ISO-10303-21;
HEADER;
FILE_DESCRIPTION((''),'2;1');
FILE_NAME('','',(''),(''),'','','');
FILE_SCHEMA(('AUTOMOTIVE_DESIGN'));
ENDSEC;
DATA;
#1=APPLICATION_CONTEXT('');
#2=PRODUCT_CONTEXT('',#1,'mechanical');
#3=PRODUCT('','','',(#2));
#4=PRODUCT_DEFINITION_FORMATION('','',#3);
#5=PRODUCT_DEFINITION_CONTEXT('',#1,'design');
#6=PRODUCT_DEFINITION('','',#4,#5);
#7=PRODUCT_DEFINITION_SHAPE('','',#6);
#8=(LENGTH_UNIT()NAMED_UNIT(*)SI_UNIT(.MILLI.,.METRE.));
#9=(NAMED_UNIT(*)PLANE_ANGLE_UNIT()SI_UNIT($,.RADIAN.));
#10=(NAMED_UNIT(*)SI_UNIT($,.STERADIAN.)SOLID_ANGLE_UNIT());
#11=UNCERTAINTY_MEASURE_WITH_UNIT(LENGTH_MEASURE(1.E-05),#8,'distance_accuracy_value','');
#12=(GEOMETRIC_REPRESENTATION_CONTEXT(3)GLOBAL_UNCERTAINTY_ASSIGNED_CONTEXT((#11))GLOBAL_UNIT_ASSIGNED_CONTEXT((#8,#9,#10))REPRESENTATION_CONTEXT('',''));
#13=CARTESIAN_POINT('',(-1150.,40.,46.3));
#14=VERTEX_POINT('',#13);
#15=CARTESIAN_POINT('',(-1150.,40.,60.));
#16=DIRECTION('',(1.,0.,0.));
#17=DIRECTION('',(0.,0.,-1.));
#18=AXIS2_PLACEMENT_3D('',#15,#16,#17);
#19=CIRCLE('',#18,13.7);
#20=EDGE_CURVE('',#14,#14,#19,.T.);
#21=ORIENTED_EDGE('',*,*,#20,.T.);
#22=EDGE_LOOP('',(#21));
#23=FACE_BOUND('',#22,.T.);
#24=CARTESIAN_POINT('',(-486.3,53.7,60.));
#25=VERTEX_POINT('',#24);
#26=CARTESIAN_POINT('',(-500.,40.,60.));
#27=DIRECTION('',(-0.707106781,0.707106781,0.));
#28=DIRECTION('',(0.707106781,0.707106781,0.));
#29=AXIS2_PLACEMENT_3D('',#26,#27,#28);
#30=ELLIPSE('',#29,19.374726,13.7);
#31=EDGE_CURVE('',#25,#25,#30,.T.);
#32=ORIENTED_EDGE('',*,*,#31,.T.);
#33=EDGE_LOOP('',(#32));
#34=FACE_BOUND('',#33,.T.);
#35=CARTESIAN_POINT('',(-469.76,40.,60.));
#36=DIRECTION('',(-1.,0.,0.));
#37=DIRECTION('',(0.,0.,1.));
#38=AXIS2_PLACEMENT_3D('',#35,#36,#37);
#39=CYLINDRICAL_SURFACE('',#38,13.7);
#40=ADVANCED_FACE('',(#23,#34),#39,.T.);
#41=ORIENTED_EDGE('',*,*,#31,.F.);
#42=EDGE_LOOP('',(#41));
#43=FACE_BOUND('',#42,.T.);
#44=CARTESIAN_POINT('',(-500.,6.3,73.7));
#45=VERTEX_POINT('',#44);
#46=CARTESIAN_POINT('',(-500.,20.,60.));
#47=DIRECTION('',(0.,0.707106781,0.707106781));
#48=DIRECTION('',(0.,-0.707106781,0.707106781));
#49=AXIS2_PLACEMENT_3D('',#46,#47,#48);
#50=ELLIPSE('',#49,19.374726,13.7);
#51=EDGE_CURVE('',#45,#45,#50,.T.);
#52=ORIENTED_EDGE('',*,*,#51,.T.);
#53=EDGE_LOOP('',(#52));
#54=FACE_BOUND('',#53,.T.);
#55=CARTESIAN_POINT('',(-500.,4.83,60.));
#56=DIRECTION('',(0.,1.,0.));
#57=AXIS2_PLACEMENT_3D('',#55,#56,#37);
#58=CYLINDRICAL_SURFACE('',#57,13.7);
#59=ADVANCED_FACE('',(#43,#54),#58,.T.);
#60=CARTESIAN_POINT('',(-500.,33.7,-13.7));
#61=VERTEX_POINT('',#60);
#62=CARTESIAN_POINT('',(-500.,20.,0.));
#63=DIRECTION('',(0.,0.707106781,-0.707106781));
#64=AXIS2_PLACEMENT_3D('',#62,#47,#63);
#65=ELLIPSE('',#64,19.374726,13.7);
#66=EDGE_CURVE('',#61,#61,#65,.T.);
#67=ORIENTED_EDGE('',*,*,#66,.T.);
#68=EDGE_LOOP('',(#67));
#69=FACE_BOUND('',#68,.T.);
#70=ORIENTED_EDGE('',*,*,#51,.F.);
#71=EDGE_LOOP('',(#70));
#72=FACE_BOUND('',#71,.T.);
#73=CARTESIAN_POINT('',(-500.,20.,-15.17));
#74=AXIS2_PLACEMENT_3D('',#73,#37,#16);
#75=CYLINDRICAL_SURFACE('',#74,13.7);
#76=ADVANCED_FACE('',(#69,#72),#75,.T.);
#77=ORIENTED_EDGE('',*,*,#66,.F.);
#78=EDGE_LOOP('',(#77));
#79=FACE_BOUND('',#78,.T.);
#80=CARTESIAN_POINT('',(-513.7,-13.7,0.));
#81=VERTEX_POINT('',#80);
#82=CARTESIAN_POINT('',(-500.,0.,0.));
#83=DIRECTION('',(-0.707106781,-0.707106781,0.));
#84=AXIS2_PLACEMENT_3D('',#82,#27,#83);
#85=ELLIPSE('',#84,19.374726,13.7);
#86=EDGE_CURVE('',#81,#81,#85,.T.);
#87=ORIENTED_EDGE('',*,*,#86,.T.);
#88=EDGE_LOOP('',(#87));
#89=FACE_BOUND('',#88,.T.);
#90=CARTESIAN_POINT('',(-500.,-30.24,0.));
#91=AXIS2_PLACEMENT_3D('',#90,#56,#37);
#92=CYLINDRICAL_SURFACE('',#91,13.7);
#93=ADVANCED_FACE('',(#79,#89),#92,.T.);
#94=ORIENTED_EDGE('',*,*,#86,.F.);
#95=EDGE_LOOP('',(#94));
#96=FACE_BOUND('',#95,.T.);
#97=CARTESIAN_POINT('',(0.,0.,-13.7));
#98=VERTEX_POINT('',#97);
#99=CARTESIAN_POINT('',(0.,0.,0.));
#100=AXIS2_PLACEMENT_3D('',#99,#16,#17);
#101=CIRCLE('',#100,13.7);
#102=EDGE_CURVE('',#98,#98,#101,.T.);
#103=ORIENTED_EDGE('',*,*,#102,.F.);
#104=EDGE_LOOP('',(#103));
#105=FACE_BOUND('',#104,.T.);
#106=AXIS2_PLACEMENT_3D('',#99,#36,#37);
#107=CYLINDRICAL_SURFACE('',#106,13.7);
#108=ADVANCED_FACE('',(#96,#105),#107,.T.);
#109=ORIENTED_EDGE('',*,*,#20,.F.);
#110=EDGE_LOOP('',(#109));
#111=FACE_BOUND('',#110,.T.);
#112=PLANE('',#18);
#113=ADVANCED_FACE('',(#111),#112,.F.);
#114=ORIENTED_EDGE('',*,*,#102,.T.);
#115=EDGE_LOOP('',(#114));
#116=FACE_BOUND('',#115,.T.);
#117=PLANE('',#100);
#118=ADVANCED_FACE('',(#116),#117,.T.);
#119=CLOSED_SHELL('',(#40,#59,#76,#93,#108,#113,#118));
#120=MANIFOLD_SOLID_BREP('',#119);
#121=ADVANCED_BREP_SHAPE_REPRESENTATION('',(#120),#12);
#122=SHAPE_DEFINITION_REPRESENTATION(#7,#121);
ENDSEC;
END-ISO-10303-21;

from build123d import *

# Parameters (mm, degrees)
CROQUIS1_R = 13.7


with BuildPart() as part:
    # Barrer1: sweep along a curve in space
    with BuildLine() as barrer1_path:
        Line((0, 0, 0), (-500, 0, 0))
        Line((-500, 0, 0), (-500, 20, 0))
        Line((-500, 20, 0), (-500, 20, 60))
        Line((-500, 20, 60), (-500, 40, 60))
        Line((-500, 40, 60), (-1150, 40, 60))
    # Croquis1 → Barrer1 (sweep)
    with BuildSketch(Plane(origin=(0, 0, 0), x_dir=(0, 0, -1), z_dir=(1, 0, 0))):
        Circle(CROQUIS1_R)
    sweep(path=barrer1_path.line, transition=Transition.RIGHT)


solid = part.part
